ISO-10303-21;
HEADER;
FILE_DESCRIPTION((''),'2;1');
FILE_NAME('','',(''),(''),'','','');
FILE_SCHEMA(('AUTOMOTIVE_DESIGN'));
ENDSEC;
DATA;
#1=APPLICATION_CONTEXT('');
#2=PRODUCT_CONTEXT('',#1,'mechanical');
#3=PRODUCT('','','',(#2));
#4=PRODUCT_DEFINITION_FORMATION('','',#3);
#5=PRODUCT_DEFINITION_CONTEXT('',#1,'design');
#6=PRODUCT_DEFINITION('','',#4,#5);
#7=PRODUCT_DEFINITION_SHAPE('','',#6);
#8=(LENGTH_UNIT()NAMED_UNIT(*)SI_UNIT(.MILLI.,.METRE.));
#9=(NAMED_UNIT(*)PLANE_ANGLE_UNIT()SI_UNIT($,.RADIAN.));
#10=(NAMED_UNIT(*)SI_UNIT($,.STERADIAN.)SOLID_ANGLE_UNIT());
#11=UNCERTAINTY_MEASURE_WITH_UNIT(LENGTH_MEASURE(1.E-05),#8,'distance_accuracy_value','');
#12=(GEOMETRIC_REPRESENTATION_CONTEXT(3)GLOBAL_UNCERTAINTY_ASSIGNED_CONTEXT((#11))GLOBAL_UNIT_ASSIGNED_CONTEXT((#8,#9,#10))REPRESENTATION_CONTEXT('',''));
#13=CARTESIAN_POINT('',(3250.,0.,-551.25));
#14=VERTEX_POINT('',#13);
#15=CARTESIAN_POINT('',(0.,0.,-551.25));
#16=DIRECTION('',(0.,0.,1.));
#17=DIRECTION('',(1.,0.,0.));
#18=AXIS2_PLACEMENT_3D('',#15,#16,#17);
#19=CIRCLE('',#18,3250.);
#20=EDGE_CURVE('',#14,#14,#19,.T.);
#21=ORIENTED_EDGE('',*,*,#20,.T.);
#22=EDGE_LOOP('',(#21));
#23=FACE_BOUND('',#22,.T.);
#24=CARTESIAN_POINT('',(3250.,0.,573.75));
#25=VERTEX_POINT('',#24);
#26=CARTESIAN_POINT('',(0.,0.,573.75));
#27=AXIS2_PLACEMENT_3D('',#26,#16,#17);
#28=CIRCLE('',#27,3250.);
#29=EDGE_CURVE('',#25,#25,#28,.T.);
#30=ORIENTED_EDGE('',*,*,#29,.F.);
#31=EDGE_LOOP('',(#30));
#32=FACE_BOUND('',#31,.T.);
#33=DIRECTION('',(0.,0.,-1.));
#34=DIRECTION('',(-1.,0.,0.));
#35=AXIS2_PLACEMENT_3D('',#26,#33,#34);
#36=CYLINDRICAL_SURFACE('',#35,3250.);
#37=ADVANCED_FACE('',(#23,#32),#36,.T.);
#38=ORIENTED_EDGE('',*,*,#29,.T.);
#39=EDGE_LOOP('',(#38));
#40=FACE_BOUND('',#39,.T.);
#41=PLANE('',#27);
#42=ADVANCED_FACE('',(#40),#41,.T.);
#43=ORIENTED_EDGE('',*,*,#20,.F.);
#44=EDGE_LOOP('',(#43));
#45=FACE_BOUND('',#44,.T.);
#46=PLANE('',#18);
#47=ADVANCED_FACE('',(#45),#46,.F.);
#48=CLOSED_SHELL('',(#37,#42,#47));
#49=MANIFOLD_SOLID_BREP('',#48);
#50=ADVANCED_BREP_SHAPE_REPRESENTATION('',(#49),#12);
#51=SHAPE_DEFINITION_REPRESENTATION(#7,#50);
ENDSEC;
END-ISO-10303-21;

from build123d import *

# Parameters (mm, degrees)
SKETCH1_R           = 65
BOSS_EXTRUDE1_DEPTH = 22.5
SCALE1_SCALE        = 50


with BuildPart() as part:
    # Sketch1 → Boss-Extrude1 (new body)
    with BuildSketch(Plane.XY):
        Circle(SKETCH1_R)
    extrude(amount=BOSS_EXTRUDE1_DEPTH)


with BuildPart() as part_1:
    # Scale1: scaled about (0, 0, 11.25)
    add(part.part.scale(SCALE1_SCALE).moved(Location((0, 0, -551.25))))


solid = part_1.part
